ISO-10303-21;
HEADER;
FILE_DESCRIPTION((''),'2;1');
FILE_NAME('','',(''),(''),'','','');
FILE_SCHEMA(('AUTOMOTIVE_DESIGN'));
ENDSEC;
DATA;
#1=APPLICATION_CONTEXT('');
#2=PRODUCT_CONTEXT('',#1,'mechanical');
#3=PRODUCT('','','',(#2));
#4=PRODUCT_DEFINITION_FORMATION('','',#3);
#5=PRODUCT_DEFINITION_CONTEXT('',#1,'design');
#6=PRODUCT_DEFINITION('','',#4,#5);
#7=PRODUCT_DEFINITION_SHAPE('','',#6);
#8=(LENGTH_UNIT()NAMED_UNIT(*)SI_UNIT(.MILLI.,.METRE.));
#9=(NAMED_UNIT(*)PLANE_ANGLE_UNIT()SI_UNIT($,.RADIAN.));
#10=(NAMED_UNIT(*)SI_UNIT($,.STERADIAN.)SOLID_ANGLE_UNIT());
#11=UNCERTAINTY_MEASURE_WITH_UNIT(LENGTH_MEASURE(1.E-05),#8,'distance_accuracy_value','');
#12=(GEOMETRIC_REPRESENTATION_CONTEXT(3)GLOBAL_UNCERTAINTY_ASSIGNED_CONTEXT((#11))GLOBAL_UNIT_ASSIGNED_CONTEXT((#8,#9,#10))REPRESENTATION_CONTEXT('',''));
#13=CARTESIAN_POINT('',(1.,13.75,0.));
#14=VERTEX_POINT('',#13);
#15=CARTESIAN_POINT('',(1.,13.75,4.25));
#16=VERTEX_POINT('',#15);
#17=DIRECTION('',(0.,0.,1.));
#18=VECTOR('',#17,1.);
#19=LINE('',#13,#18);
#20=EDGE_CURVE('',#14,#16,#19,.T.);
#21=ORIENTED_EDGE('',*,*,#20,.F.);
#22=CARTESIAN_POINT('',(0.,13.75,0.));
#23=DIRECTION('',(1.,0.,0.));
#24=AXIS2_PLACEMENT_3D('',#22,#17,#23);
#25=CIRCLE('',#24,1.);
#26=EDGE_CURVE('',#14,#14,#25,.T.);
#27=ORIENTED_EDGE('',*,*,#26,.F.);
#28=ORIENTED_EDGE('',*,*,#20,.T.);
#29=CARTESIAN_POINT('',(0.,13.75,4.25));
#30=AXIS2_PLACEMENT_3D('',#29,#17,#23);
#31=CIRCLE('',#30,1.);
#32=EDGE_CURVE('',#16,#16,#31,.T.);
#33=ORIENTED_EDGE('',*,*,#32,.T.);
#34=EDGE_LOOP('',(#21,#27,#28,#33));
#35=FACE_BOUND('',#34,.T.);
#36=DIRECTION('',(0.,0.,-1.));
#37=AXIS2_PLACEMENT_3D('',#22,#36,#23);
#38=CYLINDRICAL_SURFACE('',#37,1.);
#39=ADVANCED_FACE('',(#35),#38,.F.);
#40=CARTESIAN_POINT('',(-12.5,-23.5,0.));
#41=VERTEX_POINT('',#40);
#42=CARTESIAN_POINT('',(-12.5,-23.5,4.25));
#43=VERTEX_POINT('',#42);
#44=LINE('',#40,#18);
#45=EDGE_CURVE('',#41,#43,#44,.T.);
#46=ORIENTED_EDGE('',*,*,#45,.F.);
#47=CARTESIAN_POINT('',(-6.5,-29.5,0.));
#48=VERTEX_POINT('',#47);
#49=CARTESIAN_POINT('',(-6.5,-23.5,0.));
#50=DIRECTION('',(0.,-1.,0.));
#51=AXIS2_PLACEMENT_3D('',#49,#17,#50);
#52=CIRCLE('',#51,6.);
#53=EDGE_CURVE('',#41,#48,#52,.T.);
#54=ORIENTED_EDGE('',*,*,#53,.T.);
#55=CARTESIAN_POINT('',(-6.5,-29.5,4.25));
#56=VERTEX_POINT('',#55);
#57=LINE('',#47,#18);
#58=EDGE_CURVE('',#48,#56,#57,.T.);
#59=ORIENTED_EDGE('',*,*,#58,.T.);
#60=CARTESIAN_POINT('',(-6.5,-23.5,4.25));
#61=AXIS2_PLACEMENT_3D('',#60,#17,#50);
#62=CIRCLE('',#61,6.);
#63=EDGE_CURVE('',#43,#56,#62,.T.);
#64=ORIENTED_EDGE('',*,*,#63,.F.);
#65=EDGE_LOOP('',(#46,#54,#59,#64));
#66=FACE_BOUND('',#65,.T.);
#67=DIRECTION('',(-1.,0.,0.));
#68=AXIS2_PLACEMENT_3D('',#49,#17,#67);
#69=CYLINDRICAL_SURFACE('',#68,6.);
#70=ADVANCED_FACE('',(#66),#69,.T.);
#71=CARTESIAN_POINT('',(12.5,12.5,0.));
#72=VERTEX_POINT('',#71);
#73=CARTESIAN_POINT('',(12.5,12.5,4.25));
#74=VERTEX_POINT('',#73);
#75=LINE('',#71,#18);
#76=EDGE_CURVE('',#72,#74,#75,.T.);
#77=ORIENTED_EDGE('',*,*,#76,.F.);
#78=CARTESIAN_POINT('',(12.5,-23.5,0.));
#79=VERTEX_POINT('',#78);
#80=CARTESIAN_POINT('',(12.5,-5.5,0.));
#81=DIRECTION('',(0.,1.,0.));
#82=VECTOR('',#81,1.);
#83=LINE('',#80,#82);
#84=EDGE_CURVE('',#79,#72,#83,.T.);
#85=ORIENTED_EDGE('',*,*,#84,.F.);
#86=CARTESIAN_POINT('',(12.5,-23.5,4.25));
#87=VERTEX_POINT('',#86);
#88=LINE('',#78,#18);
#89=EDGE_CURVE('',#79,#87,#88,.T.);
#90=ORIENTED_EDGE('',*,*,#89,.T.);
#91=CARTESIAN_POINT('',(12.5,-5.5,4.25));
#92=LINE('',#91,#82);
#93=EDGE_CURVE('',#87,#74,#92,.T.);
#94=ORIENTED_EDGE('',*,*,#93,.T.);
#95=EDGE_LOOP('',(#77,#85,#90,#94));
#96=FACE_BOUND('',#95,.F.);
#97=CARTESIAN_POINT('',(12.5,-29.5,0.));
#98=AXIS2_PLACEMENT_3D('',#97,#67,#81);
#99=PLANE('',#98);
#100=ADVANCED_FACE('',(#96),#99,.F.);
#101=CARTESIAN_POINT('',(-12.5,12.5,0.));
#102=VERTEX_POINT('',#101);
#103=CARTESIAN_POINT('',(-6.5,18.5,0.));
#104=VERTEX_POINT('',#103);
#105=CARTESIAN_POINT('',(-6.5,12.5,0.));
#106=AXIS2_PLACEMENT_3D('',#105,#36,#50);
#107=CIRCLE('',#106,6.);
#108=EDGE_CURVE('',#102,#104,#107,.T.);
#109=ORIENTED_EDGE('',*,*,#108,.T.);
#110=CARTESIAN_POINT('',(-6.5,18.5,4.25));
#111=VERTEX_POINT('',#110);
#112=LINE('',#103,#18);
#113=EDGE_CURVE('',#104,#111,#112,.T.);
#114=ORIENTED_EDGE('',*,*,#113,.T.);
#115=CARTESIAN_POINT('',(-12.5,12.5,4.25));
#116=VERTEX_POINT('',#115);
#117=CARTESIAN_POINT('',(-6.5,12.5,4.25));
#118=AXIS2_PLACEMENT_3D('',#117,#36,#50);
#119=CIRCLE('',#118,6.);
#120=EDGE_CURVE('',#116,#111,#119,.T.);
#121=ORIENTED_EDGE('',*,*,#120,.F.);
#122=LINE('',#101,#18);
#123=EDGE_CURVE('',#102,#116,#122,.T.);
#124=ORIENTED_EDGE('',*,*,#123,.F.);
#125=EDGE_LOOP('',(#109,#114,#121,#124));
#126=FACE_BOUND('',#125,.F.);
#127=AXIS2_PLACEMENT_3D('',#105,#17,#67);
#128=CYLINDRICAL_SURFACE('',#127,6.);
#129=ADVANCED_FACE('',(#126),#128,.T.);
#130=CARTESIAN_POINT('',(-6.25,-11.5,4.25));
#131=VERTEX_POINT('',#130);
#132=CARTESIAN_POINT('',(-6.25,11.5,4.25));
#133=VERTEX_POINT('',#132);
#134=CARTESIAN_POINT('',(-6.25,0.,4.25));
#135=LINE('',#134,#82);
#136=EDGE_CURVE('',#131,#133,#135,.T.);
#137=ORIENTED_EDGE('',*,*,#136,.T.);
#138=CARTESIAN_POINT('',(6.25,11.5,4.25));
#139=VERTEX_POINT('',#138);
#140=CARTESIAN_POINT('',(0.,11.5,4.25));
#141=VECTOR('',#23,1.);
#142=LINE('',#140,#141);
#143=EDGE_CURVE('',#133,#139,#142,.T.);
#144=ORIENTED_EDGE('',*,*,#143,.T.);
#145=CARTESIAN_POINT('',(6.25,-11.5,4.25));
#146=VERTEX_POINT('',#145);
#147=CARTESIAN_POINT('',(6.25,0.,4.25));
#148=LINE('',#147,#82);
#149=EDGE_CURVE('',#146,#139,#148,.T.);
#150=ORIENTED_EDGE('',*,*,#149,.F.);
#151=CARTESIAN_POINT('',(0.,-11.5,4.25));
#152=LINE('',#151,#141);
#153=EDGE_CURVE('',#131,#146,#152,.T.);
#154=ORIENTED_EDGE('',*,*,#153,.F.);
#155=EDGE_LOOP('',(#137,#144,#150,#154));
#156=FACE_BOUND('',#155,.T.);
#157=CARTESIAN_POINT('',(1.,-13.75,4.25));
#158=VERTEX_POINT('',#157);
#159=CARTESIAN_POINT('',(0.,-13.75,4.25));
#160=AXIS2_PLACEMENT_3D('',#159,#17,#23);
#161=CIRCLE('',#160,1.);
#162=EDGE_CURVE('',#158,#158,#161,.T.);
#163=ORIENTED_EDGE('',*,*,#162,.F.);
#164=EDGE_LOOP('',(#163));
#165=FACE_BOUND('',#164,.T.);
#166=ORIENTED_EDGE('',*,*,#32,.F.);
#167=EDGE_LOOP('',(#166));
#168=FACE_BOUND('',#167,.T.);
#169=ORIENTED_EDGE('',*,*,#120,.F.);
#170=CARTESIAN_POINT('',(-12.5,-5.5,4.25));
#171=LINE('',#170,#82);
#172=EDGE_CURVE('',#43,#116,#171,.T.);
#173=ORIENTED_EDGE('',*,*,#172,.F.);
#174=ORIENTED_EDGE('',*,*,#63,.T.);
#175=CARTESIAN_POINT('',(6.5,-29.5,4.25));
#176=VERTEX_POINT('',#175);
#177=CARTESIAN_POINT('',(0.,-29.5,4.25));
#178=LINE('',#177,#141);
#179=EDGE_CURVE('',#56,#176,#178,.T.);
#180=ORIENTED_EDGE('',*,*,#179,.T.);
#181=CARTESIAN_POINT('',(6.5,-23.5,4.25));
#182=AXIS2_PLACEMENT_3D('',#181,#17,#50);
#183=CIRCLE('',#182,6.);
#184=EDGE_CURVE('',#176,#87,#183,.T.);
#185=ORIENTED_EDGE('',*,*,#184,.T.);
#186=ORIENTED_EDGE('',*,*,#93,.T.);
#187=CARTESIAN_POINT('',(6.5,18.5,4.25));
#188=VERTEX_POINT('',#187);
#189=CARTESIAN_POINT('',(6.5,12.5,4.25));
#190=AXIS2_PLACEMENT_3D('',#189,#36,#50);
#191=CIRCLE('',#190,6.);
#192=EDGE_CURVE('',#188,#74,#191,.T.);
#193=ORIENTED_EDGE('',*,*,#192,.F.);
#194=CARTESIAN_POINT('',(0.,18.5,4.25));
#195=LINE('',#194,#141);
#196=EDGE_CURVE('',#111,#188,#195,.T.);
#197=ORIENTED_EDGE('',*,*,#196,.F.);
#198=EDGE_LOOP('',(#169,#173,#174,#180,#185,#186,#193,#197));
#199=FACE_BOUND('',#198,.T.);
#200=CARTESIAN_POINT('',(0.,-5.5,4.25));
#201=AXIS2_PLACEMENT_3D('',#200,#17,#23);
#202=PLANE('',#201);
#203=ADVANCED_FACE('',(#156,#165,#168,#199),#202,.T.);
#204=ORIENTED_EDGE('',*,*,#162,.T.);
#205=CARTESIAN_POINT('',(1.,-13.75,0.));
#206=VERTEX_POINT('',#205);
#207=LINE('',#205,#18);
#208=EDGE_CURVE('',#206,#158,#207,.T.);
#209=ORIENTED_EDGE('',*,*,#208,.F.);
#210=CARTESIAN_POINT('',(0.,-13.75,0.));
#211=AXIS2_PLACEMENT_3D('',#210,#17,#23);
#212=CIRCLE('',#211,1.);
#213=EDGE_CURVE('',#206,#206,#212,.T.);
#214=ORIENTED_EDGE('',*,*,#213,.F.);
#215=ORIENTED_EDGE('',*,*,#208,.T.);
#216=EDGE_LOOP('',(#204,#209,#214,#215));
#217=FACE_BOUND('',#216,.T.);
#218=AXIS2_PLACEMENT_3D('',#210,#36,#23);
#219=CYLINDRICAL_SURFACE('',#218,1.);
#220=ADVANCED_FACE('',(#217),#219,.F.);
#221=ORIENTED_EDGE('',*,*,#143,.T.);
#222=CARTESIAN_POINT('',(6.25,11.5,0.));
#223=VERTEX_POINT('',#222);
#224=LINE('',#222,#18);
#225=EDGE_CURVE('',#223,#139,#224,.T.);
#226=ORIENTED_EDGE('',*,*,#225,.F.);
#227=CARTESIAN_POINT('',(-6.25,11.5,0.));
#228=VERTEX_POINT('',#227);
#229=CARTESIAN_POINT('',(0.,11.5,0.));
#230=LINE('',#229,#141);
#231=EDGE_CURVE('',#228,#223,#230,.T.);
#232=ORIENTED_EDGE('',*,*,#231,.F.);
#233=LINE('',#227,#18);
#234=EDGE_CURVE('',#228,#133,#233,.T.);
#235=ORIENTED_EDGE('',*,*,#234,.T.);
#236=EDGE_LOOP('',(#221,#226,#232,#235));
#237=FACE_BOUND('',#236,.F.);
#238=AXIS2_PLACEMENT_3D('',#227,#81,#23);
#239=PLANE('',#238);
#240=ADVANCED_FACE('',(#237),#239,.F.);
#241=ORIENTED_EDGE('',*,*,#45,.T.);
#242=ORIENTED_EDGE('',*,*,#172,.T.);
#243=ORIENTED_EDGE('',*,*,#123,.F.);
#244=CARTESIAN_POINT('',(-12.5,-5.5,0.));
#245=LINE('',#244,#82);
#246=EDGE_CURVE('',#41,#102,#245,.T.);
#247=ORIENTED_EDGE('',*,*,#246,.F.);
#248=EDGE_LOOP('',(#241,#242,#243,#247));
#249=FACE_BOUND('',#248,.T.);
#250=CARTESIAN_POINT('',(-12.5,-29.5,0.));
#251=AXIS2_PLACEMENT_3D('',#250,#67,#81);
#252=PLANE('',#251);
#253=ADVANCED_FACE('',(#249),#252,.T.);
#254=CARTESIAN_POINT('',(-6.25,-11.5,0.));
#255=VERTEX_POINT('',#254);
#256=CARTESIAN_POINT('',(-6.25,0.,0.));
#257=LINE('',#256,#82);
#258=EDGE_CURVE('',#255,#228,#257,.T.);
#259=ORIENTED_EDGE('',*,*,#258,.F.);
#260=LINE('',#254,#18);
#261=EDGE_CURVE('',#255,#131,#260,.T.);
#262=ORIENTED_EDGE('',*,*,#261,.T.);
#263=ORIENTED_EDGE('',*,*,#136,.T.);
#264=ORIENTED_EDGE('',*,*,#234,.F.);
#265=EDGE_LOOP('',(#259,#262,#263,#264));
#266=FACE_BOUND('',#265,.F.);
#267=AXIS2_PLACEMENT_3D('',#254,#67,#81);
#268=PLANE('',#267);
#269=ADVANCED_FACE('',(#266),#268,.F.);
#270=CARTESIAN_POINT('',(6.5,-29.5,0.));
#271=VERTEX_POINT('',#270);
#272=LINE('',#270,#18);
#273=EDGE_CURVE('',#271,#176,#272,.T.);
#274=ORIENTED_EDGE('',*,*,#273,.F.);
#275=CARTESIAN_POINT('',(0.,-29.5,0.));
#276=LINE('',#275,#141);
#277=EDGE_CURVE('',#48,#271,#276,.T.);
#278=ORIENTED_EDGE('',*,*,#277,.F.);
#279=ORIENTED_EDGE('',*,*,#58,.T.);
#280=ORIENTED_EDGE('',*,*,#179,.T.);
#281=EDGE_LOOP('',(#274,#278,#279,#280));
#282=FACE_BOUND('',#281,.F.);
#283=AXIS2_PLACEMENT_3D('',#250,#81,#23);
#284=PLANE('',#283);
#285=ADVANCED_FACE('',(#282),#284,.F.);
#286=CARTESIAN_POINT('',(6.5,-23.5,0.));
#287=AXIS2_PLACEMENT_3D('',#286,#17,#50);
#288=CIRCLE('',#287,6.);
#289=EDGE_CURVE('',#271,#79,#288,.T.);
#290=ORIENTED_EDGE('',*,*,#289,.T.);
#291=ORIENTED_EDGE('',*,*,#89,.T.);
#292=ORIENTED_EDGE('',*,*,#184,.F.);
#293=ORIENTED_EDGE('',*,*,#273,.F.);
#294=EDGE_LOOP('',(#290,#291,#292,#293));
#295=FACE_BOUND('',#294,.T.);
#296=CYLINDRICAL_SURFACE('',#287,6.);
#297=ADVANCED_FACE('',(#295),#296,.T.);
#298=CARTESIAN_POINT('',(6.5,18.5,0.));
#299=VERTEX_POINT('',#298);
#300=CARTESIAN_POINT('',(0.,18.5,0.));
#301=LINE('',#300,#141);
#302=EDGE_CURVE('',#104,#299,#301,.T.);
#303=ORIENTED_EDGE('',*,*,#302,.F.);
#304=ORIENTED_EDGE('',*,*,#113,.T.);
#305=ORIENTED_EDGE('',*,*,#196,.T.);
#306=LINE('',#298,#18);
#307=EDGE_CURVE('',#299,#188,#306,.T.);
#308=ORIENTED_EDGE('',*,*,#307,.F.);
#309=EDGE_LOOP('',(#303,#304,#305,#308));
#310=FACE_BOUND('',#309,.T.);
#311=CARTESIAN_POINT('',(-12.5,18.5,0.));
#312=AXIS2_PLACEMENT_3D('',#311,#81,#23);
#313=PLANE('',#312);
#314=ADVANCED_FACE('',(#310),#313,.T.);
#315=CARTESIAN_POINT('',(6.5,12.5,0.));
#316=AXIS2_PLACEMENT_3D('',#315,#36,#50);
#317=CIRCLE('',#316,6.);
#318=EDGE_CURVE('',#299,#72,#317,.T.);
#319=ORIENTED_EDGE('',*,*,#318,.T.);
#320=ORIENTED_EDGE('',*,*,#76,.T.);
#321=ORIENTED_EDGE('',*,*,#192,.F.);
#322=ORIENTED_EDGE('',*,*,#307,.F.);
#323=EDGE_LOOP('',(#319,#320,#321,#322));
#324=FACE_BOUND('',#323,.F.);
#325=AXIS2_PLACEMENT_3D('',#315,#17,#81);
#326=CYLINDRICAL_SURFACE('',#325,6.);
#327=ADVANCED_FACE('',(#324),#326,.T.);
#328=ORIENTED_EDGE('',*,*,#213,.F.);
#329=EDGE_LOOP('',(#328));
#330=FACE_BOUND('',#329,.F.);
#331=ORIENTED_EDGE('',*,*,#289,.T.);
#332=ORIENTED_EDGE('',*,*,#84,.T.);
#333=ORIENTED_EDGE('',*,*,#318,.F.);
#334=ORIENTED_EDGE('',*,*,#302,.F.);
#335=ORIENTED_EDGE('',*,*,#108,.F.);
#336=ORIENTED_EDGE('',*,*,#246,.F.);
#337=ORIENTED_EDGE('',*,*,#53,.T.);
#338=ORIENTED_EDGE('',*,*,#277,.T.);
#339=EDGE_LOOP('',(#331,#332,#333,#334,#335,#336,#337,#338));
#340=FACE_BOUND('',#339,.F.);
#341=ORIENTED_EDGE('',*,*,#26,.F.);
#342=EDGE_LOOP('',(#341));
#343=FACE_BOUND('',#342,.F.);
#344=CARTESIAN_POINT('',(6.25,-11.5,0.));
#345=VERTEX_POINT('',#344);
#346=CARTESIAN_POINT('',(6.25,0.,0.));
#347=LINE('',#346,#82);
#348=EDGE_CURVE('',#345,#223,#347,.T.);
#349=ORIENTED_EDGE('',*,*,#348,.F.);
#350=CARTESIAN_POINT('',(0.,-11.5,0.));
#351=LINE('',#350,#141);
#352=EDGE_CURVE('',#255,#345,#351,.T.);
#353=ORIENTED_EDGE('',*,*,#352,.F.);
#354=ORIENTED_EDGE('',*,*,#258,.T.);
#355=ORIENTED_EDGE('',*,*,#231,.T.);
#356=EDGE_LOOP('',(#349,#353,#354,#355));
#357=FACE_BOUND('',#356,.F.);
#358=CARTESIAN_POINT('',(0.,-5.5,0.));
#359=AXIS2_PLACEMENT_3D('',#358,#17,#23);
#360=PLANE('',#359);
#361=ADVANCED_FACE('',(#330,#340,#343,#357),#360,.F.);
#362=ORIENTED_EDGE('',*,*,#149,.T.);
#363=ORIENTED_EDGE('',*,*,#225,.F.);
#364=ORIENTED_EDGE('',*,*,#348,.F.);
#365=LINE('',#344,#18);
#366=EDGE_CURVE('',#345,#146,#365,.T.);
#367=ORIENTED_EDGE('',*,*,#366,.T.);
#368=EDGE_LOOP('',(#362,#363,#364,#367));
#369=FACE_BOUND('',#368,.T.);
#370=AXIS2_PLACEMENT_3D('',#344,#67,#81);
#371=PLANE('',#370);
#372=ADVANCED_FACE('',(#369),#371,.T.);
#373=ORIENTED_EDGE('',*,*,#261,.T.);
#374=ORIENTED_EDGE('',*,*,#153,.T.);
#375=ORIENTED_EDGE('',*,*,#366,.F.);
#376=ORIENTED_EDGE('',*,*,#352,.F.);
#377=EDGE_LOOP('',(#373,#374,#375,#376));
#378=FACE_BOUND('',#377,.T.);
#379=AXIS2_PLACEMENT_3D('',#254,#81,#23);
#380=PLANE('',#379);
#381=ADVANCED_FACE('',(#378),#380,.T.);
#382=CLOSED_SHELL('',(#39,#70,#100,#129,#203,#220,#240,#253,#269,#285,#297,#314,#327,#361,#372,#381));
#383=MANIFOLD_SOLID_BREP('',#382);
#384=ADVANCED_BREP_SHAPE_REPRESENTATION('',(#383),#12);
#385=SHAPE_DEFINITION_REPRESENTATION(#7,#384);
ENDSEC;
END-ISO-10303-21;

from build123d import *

# Parameters (mm, degrees)
F0_W     = 25
F0_H     = 48
F0_R     = 1
F0_W_2   = 12.5
F0_H_2   = 23
F1_DEPTH = 4.25
F2_R     = 6


with BuildPart() as f1:
    # F0 (on Top) → F1 (new body)
    with BuildSketch(Plane.XY):
        with Locations((0, -5.5)):
            Rectangle(F0_W, F0_H)
        with Locations((0, -13.75)):
            Circle(F0_R, mode=Mode.SUBTRACT)
        Rectangle(F0_W_2, F0_H_2, mode=Mode.SUBTRACT)
        with Locations((0, 13.75)):
            Circle(F0_R, mode=Mode.SUBTRACT)
    extrude(amount=F1_DEPTH)

    # F2
    f2_edges = [f1.edges().sort_by_distance(p)[0] for p in [
        (-12.5, 18.5, 2.125),
        (12.5, 18.5, 2.125),
        (12.5, -29.5, 2.125),
        (-12.5, -29.5, 2.125),
    ]]
    fillet(f2_edges, radius=F2_R)


solid = f1.part
